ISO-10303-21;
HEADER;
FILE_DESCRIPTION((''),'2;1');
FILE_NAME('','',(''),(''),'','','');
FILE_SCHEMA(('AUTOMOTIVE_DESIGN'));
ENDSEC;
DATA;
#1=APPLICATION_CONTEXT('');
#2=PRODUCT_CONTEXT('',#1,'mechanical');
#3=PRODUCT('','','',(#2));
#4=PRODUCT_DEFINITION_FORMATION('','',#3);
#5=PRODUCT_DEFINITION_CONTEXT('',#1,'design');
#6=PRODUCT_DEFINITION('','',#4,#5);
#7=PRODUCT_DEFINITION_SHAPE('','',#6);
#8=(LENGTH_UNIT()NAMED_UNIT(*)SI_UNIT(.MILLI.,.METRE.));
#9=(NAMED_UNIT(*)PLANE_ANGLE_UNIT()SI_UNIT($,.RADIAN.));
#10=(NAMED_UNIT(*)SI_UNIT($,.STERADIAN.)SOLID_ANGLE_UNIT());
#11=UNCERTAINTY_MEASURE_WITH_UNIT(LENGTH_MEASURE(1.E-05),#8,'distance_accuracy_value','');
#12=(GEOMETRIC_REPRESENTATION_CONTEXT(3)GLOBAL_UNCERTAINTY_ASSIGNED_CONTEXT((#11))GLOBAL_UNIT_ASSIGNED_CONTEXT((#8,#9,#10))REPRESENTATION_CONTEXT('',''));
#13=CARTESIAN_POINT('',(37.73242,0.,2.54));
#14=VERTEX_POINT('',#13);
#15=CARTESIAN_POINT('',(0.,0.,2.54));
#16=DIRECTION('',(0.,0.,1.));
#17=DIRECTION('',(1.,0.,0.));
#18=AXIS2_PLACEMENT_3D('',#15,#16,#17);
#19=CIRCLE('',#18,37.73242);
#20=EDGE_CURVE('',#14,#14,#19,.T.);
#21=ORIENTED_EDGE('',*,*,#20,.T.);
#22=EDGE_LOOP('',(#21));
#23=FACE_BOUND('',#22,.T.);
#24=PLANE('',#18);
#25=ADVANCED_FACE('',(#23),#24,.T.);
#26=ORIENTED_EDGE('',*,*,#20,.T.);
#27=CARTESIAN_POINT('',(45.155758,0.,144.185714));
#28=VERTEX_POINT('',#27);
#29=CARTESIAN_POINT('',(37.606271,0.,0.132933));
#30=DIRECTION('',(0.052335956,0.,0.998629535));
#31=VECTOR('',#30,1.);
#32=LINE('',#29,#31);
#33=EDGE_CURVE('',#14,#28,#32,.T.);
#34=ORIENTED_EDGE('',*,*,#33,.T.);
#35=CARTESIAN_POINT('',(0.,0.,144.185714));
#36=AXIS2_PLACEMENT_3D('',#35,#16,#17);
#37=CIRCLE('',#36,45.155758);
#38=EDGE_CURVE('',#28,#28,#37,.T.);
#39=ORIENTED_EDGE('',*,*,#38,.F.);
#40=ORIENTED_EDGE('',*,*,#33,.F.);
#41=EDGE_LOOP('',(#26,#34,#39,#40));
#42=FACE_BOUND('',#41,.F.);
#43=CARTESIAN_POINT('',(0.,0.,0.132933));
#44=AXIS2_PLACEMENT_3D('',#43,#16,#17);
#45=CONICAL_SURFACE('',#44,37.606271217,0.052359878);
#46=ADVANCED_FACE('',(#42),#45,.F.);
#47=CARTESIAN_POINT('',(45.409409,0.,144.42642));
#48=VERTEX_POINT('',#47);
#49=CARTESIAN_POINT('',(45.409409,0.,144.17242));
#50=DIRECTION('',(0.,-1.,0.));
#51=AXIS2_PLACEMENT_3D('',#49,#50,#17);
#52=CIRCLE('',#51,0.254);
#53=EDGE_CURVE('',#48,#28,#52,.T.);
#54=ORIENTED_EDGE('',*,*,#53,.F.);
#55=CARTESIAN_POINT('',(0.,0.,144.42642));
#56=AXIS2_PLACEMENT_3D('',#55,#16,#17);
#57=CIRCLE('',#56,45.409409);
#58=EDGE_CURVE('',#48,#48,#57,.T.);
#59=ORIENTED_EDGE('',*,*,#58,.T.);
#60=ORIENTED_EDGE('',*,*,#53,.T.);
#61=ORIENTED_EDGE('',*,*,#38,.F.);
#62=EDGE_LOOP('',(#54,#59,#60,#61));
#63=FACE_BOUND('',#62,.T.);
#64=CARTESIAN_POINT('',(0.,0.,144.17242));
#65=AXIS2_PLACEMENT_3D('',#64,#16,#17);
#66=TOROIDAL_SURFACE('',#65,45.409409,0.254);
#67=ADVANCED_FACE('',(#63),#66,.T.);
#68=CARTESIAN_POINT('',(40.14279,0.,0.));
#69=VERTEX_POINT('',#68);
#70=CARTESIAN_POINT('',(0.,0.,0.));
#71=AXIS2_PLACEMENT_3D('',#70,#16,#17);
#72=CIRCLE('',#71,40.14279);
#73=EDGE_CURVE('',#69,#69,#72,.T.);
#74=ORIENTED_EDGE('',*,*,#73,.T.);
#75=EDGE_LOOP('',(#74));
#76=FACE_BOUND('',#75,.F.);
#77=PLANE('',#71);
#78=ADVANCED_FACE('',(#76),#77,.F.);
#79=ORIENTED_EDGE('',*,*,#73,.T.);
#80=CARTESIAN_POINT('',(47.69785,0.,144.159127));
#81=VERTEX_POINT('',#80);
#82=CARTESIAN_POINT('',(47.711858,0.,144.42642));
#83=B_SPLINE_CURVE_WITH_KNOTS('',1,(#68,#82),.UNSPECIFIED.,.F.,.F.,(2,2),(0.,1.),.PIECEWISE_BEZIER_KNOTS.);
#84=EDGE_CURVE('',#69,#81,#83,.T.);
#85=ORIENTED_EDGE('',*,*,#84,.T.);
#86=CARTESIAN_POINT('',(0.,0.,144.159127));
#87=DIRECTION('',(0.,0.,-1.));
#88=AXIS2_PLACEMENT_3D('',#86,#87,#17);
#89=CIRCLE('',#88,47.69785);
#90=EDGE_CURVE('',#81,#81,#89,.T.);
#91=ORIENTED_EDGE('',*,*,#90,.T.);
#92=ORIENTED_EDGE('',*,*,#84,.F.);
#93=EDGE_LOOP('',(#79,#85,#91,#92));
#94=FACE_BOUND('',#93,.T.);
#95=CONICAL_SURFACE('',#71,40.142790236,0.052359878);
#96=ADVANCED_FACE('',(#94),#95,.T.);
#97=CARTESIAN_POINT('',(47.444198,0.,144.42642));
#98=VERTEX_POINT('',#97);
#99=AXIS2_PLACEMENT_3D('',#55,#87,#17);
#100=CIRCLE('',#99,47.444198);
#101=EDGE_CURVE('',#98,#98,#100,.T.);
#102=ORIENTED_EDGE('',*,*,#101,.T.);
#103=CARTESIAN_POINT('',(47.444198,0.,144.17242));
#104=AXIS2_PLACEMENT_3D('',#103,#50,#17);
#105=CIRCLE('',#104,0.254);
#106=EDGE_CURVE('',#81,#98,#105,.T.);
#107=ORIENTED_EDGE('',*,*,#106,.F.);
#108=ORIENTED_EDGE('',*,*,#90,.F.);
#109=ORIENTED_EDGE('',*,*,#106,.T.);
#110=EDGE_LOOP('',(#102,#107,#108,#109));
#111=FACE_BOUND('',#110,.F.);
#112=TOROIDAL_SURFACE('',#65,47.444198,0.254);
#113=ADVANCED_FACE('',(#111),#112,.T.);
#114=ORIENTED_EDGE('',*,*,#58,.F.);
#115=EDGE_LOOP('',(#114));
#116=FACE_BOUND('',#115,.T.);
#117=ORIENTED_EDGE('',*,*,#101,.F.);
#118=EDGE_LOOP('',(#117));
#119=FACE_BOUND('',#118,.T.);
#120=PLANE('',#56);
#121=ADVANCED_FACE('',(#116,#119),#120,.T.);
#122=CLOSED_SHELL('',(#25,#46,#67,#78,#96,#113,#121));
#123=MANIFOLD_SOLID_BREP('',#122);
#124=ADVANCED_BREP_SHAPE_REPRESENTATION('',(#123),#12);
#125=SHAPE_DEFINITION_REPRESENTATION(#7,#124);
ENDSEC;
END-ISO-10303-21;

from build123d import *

# Parameters (mm, degrees)
F0_R     = 40.1427902356
F1_DEPTH = 144.426420331
F1_TAPER = -3
F2_T     = -2.54
F3_R     = 0.254


with BuildPart() as f1:
    # F0 (on Top) → F1 (new body)
    with BuildSketch(Plane.XY):
        Circle(F0_R)
    extrude(amount=F1_DEPTH, taper=F1_TAPER)

    # F2
    f2_openings = [f1.faces().sort_by_distance(p)[0] for p in [
        (0, 0, 144.42642),
    ]]
    offset(amount=F2_T, openings=f2_openings, kind=Kind.INTERSECTION)

    # F3
    f3_edges = [f1.edges().sort_by_distance(p)[0] for p in [
        (-47.711858, 0, 144.42642),
        (-45.168372, 0, 144.42642),
    ]]
    fillet(f3_edges, radius=F3_R)


solid = f1.part
